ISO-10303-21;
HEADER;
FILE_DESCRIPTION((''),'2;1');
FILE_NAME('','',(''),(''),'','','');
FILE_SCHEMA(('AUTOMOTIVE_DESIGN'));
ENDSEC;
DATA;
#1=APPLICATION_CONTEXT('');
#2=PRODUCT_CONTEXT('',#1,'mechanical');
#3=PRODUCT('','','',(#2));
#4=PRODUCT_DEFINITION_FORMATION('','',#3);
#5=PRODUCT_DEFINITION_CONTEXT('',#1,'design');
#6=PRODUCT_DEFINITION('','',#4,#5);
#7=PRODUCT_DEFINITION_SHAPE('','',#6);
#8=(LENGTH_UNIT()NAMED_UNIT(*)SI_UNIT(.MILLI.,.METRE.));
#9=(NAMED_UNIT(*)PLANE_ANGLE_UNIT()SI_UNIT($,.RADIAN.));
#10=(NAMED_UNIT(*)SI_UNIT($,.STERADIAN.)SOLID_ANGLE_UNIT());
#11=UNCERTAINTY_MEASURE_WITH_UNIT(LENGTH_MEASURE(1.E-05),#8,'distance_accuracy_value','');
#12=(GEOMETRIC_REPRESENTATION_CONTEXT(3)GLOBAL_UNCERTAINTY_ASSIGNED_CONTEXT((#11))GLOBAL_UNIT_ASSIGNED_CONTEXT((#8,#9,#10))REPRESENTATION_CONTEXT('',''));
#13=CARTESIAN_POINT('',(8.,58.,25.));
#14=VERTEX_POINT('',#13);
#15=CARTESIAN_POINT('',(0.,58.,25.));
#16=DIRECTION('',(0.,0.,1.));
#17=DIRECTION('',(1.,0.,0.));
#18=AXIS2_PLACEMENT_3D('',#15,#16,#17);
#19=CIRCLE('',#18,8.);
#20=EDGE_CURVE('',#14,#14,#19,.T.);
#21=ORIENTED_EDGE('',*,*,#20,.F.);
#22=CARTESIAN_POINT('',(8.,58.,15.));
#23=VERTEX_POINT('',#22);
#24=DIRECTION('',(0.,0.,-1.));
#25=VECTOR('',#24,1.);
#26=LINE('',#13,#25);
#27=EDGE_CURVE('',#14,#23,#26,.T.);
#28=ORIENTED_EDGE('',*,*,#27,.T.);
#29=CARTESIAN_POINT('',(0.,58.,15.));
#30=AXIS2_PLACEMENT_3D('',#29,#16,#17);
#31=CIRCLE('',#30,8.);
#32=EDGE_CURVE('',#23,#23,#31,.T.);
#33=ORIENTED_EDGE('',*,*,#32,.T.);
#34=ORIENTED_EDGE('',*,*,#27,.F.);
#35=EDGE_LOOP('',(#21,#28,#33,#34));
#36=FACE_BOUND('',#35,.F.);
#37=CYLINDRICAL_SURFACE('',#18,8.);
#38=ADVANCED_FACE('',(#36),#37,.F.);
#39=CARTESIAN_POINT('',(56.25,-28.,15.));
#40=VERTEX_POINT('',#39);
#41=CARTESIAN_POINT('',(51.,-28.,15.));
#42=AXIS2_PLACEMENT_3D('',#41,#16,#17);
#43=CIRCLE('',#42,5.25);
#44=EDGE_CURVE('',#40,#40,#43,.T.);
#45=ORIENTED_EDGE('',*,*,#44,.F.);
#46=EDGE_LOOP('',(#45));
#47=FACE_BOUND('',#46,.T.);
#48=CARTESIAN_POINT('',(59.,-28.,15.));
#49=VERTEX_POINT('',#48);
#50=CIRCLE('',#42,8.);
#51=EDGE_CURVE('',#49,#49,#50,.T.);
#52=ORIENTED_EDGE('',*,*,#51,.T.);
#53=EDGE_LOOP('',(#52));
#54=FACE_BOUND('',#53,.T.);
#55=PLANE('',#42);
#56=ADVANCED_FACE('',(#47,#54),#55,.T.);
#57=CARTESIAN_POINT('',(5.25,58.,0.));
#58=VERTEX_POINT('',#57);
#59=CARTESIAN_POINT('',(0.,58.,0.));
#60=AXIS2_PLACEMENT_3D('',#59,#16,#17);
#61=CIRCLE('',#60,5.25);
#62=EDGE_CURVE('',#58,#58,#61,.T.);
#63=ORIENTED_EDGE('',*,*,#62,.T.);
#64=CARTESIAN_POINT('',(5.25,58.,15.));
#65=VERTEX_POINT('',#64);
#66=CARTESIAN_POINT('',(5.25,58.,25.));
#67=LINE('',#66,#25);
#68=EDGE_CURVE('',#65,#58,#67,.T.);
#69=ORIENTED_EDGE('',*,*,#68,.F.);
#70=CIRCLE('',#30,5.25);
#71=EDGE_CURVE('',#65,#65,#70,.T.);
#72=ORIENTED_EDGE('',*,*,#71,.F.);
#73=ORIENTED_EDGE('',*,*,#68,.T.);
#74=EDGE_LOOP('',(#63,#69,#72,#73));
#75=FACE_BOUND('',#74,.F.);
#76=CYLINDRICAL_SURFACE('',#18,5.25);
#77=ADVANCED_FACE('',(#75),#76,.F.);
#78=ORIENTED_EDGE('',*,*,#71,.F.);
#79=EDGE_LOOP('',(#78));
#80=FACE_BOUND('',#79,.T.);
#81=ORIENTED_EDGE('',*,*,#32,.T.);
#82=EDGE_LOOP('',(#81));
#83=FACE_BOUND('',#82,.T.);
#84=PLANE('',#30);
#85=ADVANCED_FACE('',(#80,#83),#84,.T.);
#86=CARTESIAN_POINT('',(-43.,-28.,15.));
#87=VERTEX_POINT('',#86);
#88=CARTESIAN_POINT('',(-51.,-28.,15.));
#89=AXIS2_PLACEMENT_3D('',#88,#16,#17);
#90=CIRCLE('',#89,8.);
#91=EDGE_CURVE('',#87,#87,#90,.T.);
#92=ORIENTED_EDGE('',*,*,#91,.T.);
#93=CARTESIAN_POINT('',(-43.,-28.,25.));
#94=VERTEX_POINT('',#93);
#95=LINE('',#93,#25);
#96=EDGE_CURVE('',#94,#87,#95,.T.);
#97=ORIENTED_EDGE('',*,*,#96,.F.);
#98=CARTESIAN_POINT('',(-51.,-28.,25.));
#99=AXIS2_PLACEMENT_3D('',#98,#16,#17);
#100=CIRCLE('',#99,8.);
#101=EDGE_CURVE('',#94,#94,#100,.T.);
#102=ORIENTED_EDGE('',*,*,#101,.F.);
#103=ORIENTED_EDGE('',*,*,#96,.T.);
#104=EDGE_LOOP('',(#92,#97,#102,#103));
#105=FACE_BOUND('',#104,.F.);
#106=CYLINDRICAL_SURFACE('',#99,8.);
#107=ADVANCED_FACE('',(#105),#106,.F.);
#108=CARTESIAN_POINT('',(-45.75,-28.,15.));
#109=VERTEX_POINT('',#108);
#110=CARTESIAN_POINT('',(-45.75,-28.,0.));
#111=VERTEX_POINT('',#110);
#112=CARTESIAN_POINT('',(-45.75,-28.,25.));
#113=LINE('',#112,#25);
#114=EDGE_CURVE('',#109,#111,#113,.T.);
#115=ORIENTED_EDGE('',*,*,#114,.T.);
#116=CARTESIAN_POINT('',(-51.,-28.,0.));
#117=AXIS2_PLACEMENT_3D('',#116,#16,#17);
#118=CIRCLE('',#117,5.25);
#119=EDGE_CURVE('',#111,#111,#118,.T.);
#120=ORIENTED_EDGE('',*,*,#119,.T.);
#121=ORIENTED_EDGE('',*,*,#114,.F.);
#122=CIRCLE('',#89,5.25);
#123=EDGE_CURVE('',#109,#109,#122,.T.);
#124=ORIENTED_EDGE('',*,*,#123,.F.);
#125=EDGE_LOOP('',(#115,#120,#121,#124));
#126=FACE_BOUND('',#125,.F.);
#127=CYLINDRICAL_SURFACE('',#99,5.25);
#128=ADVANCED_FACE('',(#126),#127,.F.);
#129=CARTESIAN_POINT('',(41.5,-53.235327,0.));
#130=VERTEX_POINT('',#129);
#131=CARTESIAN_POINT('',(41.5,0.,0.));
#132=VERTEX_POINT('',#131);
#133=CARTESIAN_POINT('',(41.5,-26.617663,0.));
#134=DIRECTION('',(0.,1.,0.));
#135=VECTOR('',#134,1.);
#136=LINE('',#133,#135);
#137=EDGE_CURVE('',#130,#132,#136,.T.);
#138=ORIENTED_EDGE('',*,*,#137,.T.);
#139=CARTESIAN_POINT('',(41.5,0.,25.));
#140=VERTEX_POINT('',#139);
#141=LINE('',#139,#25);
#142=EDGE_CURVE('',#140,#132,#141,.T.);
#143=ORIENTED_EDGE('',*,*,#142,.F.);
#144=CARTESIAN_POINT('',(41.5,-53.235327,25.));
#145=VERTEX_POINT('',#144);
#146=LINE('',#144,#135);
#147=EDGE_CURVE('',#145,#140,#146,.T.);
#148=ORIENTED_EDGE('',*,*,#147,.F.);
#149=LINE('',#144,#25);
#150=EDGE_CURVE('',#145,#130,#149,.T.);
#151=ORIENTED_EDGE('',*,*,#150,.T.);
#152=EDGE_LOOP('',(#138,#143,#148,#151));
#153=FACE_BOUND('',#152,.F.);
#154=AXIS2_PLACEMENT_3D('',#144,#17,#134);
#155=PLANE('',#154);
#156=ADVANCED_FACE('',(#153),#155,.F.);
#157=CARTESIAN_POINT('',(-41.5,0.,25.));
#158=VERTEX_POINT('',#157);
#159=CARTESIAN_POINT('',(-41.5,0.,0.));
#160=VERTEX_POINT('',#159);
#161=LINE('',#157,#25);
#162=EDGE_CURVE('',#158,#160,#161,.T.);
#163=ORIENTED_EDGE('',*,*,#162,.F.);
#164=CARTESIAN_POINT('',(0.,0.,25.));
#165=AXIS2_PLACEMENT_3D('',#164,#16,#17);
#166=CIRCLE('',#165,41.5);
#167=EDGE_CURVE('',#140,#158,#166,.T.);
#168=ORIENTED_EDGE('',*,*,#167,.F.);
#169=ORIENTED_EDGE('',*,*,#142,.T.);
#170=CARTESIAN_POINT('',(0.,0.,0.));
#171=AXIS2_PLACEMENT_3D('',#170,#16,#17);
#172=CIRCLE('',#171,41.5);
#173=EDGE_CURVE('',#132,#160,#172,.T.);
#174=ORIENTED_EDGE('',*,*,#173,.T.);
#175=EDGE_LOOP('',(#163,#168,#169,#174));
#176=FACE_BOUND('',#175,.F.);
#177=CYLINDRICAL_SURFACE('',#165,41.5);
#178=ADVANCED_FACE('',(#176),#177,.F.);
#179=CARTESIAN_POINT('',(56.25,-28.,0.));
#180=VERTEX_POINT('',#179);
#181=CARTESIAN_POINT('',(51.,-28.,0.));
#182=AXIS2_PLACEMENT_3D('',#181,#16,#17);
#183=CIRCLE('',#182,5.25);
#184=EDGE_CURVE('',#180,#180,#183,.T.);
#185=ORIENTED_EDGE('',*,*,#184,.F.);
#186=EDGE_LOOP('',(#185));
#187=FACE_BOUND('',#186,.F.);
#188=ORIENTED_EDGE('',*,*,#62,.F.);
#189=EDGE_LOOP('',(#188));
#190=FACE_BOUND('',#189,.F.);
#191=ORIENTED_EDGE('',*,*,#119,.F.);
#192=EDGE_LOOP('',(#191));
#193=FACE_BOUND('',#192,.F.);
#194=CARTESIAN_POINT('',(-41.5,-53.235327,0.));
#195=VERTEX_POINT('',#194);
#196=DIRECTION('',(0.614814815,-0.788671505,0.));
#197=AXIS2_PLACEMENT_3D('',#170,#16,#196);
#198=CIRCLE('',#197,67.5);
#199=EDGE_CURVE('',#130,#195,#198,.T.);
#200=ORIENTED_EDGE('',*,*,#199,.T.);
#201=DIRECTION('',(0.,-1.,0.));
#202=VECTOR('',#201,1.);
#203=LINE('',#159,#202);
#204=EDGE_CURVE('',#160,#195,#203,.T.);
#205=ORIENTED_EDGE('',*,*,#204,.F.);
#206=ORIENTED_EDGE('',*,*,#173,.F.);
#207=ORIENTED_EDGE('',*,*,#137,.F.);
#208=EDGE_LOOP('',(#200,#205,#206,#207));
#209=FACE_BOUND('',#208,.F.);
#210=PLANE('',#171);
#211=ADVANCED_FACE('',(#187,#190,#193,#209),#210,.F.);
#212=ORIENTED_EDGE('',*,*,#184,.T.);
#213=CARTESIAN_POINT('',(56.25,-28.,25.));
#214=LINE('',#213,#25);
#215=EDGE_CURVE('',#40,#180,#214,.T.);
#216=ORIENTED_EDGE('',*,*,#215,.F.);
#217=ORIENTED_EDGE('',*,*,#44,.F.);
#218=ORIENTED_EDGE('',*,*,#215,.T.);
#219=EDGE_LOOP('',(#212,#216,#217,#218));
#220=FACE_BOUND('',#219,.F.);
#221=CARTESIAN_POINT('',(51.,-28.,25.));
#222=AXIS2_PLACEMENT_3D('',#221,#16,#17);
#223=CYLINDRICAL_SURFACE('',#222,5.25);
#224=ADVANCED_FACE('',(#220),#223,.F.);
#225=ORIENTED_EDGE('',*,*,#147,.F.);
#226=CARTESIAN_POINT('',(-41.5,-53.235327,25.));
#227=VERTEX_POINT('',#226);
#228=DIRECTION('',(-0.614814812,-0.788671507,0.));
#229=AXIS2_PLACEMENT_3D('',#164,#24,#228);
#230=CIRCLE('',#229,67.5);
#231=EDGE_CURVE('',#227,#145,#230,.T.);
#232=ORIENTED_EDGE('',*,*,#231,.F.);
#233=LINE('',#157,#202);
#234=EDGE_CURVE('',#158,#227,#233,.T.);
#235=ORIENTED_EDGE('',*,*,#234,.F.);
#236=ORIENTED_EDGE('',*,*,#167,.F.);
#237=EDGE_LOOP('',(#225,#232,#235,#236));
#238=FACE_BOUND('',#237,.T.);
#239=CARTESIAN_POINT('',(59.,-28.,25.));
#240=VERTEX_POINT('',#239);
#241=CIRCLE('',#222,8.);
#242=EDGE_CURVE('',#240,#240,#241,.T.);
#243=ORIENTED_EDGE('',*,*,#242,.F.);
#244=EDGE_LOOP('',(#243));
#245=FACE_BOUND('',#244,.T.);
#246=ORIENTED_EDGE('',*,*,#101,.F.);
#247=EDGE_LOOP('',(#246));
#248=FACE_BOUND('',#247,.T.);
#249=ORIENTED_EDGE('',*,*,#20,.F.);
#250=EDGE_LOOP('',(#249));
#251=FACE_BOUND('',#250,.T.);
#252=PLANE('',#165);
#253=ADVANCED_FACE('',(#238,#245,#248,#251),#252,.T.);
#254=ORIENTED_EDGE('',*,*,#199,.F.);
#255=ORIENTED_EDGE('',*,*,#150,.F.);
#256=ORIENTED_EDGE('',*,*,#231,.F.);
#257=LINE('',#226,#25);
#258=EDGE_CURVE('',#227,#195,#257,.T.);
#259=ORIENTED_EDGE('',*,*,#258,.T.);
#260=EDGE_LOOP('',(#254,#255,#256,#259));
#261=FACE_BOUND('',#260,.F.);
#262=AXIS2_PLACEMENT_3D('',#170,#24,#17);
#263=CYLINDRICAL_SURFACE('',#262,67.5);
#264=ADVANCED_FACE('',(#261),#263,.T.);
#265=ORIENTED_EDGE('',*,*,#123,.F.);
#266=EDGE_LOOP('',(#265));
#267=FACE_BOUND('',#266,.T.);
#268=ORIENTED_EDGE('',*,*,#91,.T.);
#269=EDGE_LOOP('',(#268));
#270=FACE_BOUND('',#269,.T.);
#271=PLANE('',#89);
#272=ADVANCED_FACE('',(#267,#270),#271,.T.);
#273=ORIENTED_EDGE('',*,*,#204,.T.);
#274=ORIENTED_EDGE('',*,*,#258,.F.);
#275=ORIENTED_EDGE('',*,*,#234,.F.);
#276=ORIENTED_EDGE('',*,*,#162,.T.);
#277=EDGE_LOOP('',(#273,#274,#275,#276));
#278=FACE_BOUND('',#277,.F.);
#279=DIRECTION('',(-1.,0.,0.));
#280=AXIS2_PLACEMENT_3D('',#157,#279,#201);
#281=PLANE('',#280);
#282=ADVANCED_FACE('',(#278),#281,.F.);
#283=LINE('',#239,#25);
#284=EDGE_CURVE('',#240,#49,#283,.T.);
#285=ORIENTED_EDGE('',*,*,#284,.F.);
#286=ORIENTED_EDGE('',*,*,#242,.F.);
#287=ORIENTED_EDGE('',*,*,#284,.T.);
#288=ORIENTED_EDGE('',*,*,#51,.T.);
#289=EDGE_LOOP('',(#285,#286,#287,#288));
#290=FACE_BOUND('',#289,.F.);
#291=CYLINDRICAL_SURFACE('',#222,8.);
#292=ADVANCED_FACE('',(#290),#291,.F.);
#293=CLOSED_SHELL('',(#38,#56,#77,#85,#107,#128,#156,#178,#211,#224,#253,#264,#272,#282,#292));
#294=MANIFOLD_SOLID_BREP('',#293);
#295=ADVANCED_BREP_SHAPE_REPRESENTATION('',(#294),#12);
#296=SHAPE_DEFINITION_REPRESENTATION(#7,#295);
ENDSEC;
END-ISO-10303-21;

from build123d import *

# Parameters (mm, degrees)
F0_R     = 67.5
F1_DEPTH = 25
F3_DEPTH = 25.001
F4_R     = 5.25
F5_DEPTH = 25.001
F4_R_2   = 8
F6_DEPTH = 10


with BuildPart() as f1:
    # F0 (on Top) → F1 (new body)
    with BuildSketch(Plane.XY):
        Circle(F0_R)
    extrude(amount=F1_DEPTH)

    # F2 (on face) → F3 (cut, through all)
    with BuildSketch(Plane.XY.offset(25)):
        with BuildLine():
            ThreePointArc((-41.5, 0), (0, -41.5), (41.5, 0))
            ThreePointArc((41.5, 0), (0, 41.5), (-41.5, 0))
        make_face()
        with BuildLine():
            Line((41.5, -53.235327), (41.5, 0))
            ThreePointArc((41.5, 0), (0, -41.5), (-41.5, 0))
            Line((-41.5, 0), (-41.5, -53.235327))
            ThreePointArc((-41.5, -53.235327), (0, -67.5), (41.5, -53.235327))
        make_face()
    extrude(amount=-F3_DEPTH, mode=Mode.SUBTRACT)

    # F4 (on face) → F5 (cut, through all)
    with BuildSketch(Plane.XY.offset(25)):
        with Locations((51, -28)):
            Circle(F4_R)
        with Locations((-51, -28)):
            Circle(F4_R)
        with Locations((0, 58)):
            Circle(F4_R)
    extrude(amount=-F5_DEPTH, mode=Mode.SUBTRACT)

    # F4 (on face) → F6 (cut)
    with BuildSketch(Plane.XY.offset(25)):
        with Locations((51, -28)):
            Circle(F4_R_2)
        with Locations((51, -28)):
            Circle(F4_R, mode=Mode.SUBTRACT)
        with Locations((0, 58)):
            Circle(F4_R_2)
        with Locations((0, 58)):
            Circle(F4_R, mode=Mode.SUBTRACT)
        with Locations((-51, -28)):
            Circle(F4_R_2)
        with Locations((-51, -28)):
            Circle(F4_R, mode=Mode.SUBTRACT)
    extrude(amount=-F6_DEPTH, mode=Mode.SUBTRACT)


solid = f1.part
